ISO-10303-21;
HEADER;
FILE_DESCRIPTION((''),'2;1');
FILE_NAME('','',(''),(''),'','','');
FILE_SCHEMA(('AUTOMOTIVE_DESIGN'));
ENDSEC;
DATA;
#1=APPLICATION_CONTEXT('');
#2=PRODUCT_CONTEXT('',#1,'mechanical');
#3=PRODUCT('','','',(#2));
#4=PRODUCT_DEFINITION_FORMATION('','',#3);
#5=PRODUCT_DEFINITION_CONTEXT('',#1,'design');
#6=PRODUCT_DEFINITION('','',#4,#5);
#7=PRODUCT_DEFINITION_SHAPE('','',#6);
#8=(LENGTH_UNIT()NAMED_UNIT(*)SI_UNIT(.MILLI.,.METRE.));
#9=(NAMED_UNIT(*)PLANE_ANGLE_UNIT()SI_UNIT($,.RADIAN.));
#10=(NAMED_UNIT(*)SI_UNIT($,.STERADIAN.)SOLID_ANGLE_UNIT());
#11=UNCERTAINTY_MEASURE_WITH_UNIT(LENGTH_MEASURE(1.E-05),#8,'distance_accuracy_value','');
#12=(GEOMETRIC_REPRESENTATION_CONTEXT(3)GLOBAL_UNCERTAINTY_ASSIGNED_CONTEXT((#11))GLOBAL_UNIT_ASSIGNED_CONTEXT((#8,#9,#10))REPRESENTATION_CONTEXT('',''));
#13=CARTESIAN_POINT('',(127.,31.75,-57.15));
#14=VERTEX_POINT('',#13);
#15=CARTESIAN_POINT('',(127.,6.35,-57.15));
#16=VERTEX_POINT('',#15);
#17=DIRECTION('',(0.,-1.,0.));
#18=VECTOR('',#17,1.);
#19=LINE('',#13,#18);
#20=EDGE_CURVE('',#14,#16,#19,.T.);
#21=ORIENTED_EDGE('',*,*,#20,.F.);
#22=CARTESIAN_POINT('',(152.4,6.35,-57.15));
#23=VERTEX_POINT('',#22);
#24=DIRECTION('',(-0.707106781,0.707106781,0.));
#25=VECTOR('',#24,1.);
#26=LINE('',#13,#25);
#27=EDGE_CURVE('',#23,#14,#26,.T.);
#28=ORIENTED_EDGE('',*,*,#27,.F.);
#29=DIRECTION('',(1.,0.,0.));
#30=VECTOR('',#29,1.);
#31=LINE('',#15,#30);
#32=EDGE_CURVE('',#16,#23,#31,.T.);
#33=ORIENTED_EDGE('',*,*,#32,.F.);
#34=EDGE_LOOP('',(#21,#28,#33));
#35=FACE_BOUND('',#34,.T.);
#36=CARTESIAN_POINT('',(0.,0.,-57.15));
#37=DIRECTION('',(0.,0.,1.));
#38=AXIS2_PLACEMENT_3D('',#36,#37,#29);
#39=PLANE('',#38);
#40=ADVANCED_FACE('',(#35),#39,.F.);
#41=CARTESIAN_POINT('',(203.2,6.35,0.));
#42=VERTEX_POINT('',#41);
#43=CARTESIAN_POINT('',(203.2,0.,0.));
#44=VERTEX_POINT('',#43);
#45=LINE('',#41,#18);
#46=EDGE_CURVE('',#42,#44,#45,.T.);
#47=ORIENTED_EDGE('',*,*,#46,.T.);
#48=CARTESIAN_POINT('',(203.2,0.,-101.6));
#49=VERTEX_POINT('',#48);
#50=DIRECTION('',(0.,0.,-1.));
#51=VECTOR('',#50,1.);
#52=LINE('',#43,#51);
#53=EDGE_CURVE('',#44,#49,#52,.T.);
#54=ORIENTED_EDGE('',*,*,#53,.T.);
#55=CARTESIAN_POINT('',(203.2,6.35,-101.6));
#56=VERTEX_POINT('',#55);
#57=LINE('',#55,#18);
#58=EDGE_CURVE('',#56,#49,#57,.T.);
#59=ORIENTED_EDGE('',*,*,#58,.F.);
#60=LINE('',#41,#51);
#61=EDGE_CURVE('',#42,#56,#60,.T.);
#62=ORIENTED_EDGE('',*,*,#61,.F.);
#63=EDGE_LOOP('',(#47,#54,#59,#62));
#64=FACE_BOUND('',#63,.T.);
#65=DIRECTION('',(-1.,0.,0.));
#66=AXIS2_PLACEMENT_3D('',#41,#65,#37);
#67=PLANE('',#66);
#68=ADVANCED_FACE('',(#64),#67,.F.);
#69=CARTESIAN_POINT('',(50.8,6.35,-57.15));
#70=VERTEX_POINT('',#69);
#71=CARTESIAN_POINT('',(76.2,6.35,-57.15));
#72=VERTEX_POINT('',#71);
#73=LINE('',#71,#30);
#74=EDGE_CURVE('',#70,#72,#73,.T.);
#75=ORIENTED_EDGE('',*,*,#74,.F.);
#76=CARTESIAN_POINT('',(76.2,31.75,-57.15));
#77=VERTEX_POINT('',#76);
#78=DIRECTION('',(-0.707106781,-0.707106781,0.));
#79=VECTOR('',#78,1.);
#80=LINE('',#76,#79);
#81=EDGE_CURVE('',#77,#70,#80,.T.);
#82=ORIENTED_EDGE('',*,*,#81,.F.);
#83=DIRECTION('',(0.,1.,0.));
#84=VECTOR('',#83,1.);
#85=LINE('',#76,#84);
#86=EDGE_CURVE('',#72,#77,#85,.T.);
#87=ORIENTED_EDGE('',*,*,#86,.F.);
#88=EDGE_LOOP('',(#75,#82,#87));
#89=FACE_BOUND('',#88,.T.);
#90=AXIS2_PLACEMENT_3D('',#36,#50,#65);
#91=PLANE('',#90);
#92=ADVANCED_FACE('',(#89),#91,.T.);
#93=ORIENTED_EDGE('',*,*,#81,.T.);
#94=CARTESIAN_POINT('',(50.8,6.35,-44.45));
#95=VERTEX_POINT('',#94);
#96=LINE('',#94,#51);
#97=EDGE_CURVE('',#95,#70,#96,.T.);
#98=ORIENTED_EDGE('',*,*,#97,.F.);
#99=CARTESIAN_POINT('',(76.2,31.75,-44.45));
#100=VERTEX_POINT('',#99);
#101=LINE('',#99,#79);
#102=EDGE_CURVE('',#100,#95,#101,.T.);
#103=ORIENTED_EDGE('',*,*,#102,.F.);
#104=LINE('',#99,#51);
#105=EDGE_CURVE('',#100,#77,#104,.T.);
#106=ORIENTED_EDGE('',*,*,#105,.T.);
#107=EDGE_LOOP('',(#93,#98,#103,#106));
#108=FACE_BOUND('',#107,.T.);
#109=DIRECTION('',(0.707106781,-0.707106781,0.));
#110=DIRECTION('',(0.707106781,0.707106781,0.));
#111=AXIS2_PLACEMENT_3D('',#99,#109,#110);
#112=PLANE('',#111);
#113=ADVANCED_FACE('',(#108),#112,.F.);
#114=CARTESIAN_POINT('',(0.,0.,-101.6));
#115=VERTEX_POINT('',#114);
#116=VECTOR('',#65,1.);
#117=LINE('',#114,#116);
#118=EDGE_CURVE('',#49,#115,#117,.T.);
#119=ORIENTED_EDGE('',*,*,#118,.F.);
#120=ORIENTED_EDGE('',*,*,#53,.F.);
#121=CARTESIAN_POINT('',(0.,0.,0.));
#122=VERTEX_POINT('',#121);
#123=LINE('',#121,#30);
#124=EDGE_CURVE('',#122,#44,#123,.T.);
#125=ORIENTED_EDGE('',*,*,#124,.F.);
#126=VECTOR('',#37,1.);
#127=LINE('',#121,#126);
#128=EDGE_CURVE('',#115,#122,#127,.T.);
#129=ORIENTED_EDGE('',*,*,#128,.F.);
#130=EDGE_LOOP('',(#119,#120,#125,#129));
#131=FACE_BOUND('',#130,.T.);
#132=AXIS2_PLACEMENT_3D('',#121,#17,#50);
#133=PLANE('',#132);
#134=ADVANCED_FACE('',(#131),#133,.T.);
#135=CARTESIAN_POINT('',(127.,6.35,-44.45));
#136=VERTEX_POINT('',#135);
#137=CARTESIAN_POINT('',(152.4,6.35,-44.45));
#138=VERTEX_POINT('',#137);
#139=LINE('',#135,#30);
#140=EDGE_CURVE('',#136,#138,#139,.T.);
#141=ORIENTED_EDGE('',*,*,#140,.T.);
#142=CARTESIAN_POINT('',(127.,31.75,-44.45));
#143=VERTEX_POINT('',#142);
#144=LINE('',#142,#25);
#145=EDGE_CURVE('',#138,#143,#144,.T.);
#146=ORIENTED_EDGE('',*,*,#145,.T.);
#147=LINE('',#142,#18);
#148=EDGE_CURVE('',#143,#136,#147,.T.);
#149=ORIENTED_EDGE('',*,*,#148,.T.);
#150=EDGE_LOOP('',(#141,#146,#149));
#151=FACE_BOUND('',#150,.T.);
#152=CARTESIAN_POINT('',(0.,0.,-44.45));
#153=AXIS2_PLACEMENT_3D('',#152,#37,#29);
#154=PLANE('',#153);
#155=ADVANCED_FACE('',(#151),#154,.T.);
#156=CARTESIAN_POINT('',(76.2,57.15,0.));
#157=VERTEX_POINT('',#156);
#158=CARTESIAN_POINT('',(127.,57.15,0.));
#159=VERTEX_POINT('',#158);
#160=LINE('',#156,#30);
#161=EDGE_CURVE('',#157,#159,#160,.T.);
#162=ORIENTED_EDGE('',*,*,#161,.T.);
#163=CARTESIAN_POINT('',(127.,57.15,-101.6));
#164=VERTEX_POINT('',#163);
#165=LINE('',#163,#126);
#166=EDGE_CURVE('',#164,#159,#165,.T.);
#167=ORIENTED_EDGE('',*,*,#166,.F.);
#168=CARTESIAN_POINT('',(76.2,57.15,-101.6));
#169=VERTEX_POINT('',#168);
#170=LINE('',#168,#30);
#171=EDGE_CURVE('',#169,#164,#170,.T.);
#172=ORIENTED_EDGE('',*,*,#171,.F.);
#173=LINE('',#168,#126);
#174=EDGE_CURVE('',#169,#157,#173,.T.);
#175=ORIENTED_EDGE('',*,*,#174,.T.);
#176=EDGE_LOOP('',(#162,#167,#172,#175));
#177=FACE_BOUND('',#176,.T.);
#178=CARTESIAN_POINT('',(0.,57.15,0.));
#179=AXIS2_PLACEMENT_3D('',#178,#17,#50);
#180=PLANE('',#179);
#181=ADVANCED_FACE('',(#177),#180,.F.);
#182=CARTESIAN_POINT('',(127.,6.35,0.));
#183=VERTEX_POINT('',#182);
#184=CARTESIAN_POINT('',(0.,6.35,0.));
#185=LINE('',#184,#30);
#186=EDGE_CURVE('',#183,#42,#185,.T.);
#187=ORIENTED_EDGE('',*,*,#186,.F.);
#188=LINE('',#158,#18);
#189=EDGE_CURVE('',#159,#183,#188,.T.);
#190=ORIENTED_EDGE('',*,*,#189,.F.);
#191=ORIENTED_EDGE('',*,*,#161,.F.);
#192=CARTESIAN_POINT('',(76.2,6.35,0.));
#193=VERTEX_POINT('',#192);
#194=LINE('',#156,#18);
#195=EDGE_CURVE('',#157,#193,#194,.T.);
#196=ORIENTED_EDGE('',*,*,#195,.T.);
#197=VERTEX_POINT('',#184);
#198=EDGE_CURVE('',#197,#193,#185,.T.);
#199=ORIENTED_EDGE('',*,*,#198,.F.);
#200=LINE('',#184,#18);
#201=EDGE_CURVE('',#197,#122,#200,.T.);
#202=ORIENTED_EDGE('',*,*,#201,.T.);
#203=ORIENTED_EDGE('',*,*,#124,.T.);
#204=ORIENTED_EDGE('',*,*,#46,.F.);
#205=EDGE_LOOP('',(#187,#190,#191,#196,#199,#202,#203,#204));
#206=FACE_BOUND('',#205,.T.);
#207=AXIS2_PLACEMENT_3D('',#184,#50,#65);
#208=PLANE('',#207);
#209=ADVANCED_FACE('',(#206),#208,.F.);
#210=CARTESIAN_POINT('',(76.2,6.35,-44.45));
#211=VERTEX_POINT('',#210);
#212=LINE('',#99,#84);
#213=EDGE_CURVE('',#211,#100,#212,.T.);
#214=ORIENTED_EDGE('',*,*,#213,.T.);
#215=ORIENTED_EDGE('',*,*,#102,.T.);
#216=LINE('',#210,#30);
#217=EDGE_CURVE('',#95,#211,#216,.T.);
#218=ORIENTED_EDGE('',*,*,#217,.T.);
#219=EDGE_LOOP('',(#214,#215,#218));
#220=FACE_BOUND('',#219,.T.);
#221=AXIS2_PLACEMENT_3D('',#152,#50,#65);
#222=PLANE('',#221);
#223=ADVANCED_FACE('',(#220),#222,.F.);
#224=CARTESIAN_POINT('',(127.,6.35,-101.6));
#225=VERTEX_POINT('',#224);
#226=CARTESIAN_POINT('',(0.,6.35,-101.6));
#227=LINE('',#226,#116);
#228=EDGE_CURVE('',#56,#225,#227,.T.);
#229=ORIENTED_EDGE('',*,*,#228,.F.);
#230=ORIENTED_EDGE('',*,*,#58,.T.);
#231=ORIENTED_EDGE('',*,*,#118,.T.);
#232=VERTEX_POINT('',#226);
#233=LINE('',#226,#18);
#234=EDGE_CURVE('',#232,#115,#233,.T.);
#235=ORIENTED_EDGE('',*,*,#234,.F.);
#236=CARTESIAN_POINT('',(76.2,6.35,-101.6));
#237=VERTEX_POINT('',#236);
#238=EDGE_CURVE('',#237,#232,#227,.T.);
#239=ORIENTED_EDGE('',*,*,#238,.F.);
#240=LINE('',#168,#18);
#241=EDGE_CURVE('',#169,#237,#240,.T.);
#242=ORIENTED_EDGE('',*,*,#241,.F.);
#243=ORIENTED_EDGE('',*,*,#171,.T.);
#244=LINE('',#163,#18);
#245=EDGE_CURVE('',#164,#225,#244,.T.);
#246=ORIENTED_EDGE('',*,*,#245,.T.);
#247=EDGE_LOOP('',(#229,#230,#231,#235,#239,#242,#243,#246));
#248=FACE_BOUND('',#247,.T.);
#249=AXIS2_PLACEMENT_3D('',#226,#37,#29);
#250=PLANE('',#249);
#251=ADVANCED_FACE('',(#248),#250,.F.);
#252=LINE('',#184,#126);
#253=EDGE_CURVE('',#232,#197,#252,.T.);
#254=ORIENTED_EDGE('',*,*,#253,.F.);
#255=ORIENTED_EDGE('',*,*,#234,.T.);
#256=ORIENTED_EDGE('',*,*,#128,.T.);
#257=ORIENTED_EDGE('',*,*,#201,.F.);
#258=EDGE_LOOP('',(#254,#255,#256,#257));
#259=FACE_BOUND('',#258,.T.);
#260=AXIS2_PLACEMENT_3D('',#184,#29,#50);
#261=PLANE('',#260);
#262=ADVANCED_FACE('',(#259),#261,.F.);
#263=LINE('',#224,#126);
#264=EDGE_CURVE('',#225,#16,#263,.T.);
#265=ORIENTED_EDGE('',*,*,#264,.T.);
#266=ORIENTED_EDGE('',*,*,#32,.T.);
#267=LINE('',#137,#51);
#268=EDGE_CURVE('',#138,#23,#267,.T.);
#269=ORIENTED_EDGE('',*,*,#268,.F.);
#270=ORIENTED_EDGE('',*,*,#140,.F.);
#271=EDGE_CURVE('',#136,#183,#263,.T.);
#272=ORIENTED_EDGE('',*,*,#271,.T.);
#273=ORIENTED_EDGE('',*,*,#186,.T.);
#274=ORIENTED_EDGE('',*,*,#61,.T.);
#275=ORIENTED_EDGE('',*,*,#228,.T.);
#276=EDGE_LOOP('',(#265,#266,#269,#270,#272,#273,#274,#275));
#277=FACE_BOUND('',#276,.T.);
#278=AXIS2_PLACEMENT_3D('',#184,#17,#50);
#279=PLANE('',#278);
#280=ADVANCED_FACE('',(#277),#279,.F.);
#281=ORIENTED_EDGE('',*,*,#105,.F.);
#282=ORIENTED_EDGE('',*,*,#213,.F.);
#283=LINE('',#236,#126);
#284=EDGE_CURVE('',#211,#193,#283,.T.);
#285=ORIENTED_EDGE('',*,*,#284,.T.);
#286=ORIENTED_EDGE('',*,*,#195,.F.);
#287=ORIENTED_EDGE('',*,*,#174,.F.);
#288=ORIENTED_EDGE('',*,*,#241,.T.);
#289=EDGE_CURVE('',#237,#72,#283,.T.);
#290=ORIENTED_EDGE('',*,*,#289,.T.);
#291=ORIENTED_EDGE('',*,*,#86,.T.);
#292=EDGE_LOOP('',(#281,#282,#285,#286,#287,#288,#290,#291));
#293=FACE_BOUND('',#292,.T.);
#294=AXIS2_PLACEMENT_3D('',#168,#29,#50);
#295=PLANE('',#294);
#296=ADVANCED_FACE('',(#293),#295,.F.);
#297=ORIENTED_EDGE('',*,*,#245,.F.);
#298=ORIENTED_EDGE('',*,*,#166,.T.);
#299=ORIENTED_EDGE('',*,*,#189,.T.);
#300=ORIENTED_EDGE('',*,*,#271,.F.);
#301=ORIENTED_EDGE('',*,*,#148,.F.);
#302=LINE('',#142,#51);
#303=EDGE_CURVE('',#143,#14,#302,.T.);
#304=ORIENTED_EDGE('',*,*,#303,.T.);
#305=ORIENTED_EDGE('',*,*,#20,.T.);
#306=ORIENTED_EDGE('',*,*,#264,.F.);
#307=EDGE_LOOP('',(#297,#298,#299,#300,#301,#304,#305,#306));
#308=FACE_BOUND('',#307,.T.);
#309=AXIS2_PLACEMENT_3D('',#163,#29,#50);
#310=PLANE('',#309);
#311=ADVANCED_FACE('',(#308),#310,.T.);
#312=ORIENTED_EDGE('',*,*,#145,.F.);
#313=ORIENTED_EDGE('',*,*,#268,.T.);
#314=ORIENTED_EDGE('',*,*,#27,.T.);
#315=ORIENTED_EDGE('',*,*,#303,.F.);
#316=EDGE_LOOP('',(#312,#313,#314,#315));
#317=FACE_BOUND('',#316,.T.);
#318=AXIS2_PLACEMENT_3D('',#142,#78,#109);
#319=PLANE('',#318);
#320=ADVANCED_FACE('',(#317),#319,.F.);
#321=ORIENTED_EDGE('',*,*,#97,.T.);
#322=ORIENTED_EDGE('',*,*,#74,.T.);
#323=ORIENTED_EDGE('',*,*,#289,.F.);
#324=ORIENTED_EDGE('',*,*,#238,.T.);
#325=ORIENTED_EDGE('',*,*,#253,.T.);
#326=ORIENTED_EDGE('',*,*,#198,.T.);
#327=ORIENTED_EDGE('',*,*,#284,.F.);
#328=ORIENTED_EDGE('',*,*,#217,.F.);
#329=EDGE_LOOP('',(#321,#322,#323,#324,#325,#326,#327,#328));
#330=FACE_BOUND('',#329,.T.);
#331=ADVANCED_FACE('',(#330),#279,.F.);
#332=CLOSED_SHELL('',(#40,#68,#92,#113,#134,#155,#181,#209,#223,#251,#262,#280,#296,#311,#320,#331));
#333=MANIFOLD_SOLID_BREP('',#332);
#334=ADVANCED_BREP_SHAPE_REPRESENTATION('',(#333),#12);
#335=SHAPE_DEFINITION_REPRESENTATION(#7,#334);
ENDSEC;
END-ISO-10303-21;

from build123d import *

# Parameters (mm, degrees)
SKETCH1_W           = 203.2
SKETCH1_H           = 101.6
BOSS_EXTRUDE2_DEPTH = 6.35
SKETCH3_W           = 50.8
SKETCH3_H           = 101.6
BOSS_EXTRUDE3_DEPTH = 50.8
BOSS_EXTRUDE4_DEPTH = 6.35


with BuildPart() as part:
    # Sketch1 → Boss-Extrude2 (new body)
    with BuildSketch(Plane(origin=(0, 0, 0), x_dir=(1, 0, 0), z_dir=(0, 1, 0))):
        with Locations((101.6, 50.8)):
            Rectangle(SKETCH1_W, SKETCH1_H)
    extrude(amount=BOSS_EXTRUDE2_DEPTH)

    # Sketch3 → Boss-Extrude3 (add)
    with BuildSketch(Plane(origin=(0, 6.35, 0), x_dir=(1, 0, 0), z_dir=(0, 1, 0))):
        with Locations((101.6, 50.8)):
            Rectangle(SKETCH3_W, SKETCH3_H)
    extrude(amount=BOSS_EXTRUDE3_DEPTH)

    # Sketch4 → Boss-Extrude4 (add, symmetric)
    with BuildSketch(Plane.XY.offset(-50.8)):
        Polygon((127, 31.75), (152.4, 6.35), (127, 6.35), align=None)
        Polygon((76.2, 31.75), (50.8, 6.35), (76.2, 6.35), align=None)
    extrude(amount=BOSS_EXTRUDE4_DEPTH, both=True)


solid = part.part
